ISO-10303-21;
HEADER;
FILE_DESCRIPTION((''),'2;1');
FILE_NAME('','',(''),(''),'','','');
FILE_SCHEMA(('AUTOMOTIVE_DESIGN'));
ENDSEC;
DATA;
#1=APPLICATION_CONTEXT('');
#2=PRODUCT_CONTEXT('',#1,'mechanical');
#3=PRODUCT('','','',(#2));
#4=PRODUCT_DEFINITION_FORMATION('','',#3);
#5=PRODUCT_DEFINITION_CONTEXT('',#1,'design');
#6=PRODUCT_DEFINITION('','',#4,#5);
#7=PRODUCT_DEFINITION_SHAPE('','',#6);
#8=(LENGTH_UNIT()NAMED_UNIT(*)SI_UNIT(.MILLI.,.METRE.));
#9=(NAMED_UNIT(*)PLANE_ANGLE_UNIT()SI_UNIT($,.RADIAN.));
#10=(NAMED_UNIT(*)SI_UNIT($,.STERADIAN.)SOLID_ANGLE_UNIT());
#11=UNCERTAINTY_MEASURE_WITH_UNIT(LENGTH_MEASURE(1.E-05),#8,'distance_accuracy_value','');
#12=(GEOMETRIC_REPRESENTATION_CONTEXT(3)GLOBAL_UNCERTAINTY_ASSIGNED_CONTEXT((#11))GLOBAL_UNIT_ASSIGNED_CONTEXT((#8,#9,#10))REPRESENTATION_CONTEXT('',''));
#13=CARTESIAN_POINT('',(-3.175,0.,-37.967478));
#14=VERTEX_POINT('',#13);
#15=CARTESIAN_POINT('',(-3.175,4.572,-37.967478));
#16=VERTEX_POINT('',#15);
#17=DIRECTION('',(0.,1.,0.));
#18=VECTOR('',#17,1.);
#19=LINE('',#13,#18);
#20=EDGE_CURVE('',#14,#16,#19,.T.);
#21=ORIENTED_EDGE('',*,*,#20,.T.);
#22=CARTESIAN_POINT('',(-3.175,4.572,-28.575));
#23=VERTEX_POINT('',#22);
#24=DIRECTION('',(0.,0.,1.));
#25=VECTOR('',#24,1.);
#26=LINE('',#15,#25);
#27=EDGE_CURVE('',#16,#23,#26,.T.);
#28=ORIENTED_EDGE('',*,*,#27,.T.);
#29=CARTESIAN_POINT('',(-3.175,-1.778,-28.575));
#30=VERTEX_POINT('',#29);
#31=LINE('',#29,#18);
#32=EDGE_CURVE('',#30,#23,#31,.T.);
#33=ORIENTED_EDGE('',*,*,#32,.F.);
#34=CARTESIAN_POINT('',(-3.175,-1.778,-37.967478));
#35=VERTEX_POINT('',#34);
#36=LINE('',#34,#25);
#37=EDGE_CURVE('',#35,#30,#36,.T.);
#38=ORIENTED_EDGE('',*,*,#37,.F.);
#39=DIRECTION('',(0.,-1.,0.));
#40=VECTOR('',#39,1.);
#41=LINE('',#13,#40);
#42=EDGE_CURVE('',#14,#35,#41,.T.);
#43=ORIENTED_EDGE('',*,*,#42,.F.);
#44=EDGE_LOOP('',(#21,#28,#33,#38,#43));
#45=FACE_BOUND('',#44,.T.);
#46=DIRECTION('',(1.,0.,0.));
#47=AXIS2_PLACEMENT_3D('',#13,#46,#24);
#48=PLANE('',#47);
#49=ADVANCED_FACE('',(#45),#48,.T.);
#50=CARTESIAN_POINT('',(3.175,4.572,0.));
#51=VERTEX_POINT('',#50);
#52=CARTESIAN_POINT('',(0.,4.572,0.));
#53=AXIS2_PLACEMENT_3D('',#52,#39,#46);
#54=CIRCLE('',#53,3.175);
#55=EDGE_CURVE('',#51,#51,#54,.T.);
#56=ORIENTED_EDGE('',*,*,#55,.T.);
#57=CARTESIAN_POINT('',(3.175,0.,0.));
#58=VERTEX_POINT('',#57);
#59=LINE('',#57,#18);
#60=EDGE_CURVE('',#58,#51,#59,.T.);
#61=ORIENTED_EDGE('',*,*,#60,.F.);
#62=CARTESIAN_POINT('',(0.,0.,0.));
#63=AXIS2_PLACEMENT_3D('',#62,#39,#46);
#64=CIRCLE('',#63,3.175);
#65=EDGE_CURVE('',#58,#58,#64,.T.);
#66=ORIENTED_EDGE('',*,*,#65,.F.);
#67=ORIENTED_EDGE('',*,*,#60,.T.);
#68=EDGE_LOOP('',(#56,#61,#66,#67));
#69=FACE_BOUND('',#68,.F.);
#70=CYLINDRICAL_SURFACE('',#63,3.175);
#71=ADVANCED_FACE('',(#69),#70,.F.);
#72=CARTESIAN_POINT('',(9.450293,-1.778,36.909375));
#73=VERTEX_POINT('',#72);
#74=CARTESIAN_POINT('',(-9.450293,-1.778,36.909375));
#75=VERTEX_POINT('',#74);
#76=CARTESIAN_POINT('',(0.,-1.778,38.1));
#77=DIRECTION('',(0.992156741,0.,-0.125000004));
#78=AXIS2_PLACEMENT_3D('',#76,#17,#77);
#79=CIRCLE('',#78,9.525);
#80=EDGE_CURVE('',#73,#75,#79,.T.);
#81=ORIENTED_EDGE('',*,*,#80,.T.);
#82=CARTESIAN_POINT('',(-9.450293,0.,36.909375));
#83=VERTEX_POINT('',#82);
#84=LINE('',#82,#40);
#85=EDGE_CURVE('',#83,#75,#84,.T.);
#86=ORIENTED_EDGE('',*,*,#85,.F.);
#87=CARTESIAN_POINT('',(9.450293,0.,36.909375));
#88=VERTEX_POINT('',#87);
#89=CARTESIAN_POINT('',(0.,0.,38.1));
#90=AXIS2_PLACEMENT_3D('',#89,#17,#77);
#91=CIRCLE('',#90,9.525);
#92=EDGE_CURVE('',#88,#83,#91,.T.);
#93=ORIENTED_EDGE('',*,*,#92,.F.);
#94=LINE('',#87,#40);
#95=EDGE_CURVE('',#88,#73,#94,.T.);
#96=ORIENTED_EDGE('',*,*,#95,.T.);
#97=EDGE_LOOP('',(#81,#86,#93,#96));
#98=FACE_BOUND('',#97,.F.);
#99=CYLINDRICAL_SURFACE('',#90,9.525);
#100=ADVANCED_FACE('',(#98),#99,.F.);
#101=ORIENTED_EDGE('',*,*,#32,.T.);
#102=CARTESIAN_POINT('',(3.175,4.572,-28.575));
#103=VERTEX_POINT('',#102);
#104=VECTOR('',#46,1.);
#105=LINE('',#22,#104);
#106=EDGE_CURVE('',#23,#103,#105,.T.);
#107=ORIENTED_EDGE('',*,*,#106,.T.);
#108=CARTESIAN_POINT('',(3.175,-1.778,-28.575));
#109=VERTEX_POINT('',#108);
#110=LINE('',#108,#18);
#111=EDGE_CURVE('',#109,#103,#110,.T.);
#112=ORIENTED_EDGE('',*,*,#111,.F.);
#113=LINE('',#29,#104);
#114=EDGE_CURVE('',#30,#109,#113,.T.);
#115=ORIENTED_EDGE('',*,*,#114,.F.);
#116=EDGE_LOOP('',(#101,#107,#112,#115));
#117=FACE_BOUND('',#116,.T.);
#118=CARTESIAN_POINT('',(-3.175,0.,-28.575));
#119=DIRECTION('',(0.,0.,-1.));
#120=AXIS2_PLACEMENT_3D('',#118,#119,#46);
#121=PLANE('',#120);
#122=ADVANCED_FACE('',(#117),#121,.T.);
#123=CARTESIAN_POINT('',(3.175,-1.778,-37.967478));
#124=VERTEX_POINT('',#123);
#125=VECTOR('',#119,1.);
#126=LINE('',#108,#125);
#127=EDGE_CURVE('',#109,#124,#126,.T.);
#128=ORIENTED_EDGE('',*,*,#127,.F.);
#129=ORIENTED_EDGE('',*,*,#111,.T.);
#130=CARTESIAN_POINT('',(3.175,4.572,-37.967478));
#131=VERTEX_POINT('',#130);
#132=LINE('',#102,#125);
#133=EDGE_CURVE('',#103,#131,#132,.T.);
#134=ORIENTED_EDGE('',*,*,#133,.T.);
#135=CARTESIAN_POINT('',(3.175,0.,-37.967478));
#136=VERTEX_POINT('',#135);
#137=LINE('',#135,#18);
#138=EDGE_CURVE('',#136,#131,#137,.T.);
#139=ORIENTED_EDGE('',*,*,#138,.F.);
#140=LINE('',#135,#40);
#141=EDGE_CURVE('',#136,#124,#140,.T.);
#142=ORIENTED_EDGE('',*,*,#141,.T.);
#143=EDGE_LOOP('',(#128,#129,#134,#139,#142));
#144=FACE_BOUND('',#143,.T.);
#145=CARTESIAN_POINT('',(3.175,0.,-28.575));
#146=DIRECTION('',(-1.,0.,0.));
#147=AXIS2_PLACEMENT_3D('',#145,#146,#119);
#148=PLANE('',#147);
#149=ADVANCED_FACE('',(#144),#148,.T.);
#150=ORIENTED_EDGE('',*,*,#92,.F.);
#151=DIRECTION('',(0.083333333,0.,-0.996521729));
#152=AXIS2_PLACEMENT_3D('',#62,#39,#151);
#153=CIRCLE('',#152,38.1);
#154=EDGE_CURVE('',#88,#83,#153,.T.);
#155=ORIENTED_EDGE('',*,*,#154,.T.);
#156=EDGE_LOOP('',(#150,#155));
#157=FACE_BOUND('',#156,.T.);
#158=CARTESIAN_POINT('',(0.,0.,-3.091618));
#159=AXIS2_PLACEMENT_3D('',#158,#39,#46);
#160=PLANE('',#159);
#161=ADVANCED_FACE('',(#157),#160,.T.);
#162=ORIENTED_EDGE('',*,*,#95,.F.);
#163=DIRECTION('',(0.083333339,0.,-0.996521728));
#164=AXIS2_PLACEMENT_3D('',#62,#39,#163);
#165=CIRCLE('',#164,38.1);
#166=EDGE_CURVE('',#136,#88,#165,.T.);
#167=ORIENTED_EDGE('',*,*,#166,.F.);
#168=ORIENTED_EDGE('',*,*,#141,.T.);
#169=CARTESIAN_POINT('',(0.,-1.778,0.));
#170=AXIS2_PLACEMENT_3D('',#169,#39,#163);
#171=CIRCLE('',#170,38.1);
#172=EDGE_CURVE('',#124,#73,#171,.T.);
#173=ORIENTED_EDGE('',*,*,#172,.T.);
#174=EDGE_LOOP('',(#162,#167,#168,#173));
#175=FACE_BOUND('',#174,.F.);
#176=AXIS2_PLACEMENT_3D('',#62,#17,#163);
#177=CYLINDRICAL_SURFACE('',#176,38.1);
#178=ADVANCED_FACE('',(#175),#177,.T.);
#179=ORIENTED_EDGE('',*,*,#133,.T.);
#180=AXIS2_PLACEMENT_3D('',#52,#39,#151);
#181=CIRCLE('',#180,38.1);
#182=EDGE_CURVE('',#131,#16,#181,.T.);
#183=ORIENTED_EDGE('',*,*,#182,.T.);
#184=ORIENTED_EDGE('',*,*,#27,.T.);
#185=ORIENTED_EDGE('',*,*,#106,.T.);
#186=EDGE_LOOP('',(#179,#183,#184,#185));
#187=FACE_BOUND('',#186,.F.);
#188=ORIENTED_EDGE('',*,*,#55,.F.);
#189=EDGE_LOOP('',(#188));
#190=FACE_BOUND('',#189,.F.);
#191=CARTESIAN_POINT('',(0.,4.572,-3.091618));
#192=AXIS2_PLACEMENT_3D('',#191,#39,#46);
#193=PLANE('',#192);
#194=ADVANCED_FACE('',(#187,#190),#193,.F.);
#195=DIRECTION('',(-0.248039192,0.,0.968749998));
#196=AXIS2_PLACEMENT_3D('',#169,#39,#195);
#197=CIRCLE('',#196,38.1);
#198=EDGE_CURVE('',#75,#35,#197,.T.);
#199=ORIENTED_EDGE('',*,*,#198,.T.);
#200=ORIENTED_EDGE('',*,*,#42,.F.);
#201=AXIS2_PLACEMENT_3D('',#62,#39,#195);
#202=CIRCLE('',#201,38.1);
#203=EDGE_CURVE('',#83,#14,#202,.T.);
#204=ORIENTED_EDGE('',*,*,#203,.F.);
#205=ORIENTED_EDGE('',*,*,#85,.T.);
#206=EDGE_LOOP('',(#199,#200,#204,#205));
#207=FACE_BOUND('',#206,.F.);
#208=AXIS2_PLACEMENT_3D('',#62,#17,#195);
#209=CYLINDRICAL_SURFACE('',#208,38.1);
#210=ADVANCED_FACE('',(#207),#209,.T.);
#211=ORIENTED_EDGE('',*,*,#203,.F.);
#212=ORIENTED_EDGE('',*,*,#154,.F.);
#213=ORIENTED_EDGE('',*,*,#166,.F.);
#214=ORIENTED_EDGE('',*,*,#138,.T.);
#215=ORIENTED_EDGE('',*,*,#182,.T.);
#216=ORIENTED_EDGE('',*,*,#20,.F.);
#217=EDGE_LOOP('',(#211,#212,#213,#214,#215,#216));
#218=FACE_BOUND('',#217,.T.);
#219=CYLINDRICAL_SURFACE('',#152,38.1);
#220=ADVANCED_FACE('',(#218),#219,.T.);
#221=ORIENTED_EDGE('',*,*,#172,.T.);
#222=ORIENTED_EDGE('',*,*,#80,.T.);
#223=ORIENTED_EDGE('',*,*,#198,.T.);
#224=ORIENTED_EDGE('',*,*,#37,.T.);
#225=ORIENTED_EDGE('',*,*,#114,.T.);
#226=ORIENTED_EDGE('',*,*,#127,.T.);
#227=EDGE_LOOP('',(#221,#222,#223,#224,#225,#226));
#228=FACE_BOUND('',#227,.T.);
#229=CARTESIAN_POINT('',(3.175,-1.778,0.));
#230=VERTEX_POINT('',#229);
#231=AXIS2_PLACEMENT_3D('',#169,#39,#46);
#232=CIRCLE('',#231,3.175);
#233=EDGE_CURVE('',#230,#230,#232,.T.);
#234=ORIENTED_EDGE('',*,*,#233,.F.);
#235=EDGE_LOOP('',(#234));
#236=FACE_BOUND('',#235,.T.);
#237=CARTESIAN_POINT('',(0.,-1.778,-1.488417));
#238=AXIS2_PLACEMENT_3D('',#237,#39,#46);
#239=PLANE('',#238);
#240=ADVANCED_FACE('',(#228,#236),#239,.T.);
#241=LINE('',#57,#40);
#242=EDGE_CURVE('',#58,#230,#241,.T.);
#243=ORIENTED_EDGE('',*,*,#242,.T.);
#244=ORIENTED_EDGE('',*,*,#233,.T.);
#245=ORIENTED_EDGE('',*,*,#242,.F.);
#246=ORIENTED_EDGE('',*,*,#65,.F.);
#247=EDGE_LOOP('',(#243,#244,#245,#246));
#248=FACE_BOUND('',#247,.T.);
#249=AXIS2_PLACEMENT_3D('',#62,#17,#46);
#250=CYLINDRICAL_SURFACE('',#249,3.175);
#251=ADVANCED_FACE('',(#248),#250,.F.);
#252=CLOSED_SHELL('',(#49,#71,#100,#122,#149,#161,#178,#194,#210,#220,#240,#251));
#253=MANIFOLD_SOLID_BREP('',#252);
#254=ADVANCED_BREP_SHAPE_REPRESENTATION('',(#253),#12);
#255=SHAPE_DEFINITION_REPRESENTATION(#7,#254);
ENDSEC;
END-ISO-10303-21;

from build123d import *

# Parameters (mm, degrees)
F0_R     = 3.175
F1_DEPTH = 1.778
F2_R     = 3.175
F3_DEPTH = 4.572


with BuildPart() as f1:
    # F0 (on Front) → F1 (new body)
    with BuildSketch(Plane.XZ):
        with BuildLine():
            ThreePointArc((9.450293, 36.909375), (0, 28.575), (-9.450293, 36.909375))
            ThreePointArc((-9.450293, 36.909375), (-37.966897, -3.181937), (-3.175, -37.967478))
            Line((-3.175, -37.967478), (-3.175, -28.575))
            Line((-3.175, -28.575), (3.175, -28.575))
            Line((3.175, -28.575), (3.175, -37.967478))
            ThreePointArc((3.175, -37.967478), (37.966897, -3.181937), (9.450293, 36.909375))
        make_face()
        Circle(F0_R, mode=Mode.SUBTRACT)
    extrude(amount=F1_DEPTH)

    # F2 (on Front) → F3 (join)
    with BuildSketch(Plane.XZ):
        with BuildLine():
            Line((3.175, -28.575), (3.175, -37.967478))
            ThreePointArc((3.175, -37.967478), (0, 38.1), (-3.175, -37.967478))
            Line((-3.175, -37.967478), (-3.175, -28.575))
            Line((-3.175, -28.575), (3.175, -28.575))
        make_face()
        Circle(F2_R, mode=Mode.SUBTRACT)
    extrude(amount=-F3_DEPTH)


solid = f1.part
